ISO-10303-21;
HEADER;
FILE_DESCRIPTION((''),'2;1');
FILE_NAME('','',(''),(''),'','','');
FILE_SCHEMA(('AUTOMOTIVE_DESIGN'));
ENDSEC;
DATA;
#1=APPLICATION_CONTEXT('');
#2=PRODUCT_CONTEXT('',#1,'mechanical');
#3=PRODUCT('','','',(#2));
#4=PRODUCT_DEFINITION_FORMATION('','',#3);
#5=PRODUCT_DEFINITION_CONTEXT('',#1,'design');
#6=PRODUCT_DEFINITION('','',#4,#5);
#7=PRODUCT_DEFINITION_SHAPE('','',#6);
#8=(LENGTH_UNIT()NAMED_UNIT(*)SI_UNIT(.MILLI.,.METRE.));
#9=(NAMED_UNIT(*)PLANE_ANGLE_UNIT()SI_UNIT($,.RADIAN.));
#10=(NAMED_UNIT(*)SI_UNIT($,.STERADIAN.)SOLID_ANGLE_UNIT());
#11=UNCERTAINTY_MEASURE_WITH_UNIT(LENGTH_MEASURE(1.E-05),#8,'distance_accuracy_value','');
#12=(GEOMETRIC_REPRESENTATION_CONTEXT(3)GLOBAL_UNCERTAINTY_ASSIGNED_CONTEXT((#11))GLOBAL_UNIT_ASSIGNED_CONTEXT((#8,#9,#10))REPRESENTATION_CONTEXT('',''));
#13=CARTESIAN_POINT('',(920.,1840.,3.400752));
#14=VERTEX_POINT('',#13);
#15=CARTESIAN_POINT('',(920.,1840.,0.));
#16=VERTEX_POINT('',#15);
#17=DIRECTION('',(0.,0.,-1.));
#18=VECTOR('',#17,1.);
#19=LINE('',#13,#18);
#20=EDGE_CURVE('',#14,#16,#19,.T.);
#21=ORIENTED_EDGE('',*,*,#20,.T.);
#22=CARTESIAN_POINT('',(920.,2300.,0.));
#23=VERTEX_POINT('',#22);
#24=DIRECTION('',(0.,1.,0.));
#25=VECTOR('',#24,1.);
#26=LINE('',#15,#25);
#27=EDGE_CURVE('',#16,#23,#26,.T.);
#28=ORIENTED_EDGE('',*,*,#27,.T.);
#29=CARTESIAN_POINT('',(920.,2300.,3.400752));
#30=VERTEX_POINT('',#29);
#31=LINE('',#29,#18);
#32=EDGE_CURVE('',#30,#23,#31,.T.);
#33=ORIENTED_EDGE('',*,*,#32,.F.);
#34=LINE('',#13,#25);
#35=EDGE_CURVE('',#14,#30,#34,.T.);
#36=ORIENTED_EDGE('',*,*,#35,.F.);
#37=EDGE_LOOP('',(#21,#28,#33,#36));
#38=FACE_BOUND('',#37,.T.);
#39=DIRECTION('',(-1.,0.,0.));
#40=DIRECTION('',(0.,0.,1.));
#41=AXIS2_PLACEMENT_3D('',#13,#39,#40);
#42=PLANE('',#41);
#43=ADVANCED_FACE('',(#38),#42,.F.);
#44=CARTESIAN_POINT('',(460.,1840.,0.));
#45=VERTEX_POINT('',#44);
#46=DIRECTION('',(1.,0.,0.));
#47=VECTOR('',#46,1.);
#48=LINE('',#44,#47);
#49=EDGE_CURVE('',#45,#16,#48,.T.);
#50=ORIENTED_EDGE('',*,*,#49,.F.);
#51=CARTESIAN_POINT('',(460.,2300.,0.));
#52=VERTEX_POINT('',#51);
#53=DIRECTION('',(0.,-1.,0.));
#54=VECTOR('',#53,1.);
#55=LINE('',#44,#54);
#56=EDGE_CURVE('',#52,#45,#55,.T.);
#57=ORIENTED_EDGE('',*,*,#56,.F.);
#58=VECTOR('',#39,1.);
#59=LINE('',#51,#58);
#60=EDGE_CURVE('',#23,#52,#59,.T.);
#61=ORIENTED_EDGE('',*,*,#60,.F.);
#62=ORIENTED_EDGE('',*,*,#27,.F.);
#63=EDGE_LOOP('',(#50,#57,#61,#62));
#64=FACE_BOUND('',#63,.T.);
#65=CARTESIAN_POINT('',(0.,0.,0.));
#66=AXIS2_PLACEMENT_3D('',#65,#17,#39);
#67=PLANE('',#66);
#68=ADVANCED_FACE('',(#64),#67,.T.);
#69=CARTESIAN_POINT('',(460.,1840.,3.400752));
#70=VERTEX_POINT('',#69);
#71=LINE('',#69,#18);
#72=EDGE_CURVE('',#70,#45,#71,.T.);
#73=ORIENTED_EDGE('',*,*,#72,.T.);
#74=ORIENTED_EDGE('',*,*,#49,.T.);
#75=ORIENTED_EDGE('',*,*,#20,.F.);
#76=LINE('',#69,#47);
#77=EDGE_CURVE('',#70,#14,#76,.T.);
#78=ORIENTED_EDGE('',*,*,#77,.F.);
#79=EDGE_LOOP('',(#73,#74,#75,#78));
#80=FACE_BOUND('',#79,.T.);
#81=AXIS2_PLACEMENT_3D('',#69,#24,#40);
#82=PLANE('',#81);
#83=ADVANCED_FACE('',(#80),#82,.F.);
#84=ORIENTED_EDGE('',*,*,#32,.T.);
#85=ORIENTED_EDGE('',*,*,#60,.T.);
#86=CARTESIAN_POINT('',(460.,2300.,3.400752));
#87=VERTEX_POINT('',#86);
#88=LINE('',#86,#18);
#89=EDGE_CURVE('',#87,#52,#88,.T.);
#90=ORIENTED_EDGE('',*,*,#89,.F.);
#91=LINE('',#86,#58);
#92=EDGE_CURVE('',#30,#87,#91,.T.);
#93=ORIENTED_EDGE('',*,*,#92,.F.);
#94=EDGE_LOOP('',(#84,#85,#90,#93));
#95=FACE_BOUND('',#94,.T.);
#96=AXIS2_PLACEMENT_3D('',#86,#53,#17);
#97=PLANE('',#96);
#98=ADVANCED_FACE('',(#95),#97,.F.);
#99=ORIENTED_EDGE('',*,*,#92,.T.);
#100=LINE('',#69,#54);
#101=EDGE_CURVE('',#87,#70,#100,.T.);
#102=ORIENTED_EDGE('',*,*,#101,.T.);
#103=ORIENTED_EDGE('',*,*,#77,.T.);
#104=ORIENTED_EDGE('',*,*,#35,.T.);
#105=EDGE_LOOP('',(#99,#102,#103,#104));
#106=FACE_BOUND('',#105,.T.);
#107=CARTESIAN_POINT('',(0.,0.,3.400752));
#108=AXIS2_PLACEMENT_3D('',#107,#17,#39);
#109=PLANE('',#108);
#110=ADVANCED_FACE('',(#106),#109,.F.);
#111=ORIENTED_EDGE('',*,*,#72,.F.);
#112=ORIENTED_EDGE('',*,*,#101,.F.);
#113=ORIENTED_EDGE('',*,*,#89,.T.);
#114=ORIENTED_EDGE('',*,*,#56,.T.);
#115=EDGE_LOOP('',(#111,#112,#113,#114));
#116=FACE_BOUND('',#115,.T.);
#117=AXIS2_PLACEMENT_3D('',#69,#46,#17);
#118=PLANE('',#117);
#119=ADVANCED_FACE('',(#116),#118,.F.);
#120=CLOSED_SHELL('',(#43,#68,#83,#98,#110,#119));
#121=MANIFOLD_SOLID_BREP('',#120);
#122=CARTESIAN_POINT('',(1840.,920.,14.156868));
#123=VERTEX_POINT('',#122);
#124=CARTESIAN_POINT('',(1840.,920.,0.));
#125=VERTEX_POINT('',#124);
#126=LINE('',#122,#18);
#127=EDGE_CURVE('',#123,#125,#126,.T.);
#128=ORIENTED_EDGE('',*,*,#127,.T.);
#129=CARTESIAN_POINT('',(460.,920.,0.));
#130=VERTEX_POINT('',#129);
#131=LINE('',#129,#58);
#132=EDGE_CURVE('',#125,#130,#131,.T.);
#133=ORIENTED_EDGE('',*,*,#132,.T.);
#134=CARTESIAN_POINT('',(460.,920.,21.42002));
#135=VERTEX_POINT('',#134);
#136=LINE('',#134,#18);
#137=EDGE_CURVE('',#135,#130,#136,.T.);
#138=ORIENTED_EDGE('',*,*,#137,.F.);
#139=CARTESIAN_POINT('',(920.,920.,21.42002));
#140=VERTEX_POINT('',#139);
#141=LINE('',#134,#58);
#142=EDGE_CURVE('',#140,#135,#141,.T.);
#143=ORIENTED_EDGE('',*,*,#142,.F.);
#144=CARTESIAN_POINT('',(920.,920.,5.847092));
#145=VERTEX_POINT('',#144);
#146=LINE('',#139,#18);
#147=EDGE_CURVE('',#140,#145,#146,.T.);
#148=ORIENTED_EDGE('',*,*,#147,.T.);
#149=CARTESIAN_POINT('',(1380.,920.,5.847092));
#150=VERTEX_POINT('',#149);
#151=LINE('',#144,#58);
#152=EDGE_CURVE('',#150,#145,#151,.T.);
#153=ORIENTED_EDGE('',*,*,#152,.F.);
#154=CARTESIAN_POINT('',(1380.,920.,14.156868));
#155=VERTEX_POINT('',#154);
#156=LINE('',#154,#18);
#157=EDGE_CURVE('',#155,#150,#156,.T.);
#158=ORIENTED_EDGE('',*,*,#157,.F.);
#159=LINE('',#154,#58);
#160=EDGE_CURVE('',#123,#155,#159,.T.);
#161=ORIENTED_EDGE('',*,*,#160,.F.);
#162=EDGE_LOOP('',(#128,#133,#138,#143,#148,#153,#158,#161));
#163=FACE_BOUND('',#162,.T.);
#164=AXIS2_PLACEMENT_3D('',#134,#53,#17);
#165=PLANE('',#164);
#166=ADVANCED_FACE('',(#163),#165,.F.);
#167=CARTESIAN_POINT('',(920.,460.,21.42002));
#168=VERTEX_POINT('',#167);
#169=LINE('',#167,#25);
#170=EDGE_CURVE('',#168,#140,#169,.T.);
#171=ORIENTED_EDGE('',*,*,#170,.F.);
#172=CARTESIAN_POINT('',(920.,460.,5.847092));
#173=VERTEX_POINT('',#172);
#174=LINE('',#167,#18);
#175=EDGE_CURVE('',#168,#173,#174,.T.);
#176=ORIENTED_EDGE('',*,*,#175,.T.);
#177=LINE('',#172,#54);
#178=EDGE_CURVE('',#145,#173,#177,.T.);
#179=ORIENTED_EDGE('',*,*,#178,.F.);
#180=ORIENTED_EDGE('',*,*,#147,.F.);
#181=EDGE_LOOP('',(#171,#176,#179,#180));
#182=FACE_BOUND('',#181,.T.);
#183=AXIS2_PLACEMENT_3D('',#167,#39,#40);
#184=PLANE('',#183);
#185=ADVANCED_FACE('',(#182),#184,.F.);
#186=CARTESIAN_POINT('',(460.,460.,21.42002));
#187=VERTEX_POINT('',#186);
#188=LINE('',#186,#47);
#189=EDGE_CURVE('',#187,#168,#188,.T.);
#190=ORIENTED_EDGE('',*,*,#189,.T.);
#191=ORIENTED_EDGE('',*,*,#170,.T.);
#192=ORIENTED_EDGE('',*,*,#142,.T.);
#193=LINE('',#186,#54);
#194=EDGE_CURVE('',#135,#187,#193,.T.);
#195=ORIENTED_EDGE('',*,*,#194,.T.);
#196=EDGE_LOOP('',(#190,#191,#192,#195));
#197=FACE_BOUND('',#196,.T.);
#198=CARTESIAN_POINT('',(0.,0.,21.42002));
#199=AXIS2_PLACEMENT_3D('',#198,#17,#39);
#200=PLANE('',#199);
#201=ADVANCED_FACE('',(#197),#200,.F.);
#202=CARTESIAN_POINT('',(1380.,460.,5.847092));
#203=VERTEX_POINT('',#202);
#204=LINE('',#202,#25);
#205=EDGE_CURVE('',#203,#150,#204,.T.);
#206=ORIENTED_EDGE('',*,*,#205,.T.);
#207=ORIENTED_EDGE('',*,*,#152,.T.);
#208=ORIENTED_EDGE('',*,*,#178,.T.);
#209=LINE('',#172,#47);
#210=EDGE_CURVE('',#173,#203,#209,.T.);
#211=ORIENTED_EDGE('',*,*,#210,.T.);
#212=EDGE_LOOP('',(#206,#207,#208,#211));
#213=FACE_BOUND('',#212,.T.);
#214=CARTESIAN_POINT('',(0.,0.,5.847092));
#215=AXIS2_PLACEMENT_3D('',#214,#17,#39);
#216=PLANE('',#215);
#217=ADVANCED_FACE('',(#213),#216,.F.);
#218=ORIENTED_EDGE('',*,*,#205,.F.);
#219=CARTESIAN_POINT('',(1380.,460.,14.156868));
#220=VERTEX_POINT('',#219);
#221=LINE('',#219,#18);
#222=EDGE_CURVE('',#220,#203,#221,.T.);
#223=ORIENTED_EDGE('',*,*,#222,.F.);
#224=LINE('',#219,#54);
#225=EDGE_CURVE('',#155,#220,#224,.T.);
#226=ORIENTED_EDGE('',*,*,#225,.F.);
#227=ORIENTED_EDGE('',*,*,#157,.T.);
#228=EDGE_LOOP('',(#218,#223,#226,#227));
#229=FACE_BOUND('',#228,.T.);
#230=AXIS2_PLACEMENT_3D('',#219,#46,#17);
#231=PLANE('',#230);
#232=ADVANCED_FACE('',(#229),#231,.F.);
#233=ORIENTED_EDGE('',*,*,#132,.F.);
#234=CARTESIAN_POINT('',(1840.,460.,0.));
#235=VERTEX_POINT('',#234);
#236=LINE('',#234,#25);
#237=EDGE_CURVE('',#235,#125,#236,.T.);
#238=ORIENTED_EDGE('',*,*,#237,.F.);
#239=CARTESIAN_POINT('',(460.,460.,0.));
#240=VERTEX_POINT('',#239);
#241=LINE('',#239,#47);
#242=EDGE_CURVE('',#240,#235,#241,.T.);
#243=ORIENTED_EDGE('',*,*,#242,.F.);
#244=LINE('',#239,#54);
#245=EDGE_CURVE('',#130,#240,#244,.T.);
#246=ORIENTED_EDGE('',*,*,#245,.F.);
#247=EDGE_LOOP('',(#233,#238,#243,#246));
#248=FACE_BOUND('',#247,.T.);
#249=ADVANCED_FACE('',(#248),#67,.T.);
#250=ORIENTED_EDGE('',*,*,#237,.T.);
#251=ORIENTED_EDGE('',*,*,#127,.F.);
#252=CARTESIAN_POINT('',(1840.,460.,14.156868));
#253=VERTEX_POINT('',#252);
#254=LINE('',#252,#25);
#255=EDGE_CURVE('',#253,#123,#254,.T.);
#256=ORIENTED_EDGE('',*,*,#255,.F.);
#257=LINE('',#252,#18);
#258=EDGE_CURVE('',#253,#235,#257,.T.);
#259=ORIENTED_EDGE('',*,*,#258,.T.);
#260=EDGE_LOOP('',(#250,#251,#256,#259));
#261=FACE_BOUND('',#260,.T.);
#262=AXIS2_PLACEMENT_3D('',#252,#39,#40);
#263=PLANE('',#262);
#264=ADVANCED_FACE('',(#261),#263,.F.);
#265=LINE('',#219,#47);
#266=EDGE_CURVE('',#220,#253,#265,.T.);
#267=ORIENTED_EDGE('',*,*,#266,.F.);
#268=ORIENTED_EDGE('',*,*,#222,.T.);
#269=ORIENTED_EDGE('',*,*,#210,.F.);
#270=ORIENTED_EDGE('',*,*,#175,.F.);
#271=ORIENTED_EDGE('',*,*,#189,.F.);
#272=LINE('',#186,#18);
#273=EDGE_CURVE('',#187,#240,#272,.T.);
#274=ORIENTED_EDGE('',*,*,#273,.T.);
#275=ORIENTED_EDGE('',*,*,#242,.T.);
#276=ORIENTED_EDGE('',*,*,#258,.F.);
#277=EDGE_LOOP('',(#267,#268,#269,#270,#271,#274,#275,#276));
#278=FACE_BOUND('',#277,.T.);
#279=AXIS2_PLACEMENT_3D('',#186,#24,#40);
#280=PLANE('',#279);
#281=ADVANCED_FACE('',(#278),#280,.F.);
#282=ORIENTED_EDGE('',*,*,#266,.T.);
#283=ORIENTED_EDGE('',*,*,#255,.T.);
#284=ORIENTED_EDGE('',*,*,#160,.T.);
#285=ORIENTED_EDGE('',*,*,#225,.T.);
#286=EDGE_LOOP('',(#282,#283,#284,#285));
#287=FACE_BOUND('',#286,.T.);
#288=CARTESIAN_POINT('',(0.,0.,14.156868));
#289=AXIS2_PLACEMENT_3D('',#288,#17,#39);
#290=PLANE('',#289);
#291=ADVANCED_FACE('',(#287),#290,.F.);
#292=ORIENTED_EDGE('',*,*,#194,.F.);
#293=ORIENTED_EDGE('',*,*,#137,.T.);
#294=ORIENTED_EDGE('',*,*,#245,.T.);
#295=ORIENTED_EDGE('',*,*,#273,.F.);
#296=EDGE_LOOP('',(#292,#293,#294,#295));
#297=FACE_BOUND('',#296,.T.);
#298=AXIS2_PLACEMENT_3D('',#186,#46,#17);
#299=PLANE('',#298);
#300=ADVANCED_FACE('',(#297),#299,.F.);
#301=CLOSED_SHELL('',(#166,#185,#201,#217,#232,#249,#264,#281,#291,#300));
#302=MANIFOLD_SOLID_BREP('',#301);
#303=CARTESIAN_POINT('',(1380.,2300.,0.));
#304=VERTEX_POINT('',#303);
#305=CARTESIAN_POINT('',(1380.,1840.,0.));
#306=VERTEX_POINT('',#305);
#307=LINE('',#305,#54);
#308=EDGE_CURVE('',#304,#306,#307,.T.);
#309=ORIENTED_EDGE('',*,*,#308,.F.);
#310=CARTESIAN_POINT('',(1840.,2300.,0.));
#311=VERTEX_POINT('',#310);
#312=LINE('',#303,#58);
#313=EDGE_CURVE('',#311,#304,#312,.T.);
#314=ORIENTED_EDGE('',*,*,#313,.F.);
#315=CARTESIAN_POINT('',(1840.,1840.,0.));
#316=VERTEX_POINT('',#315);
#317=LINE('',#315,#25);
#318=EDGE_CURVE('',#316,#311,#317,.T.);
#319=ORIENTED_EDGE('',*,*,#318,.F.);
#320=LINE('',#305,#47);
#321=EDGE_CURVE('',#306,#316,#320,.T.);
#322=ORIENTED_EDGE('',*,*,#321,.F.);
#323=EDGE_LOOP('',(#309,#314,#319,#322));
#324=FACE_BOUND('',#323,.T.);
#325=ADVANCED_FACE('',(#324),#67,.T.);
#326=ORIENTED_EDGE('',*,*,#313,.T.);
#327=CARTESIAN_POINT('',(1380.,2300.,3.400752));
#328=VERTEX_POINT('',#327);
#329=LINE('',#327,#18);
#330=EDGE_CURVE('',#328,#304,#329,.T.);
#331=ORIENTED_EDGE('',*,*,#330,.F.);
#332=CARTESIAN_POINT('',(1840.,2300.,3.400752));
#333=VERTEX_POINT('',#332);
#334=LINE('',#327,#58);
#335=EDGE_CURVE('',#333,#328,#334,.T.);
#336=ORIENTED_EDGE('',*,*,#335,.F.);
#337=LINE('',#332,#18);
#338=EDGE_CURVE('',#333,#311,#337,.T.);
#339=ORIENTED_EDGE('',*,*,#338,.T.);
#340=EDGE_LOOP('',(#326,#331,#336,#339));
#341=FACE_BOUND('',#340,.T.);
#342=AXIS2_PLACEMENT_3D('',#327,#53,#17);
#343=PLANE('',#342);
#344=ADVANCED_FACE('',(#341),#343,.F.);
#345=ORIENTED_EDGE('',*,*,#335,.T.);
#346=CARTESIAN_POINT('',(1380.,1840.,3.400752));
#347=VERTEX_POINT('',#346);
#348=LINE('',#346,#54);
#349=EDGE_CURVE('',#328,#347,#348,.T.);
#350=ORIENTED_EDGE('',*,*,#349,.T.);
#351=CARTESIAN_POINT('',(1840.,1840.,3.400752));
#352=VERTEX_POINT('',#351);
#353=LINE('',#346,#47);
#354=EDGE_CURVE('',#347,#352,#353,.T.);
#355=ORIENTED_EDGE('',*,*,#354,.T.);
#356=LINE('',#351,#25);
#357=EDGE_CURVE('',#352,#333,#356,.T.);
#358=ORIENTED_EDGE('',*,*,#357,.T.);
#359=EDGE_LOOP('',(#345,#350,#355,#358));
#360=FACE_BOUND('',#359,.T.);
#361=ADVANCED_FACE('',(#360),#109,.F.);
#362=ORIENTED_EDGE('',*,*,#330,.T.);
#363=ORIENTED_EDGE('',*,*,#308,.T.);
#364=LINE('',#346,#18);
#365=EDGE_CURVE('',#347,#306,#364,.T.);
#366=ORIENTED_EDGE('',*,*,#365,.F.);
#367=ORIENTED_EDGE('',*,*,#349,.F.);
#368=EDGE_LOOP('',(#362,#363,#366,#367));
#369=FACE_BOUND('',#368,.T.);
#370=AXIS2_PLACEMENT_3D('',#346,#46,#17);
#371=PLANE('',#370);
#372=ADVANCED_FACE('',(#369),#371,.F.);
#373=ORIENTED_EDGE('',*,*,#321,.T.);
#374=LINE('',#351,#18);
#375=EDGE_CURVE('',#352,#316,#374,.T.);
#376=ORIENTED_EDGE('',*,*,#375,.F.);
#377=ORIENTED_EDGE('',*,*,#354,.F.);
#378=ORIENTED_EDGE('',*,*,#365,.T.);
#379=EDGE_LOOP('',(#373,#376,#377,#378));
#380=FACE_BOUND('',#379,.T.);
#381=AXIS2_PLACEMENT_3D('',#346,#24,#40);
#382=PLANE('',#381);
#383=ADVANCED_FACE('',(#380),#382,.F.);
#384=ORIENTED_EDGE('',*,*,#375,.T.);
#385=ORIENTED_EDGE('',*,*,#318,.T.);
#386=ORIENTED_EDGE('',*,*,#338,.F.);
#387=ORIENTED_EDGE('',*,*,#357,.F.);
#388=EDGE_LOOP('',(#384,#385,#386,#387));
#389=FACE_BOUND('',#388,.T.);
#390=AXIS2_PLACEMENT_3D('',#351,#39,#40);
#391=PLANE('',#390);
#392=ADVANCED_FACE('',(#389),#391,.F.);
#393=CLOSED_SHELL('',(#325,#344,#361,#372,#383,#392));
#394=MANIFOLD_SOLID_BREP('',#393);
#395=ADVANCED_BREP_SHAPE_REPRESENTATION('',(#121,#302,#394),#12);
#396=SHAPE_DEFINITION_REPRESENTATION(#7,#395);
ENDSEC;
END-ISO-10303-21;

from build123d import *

# Parameters (mm, degrees)
SKETCH_1_W      = 460
SKETCH_1_H      = 460
EXTRUDE_1_DEPTH = 21.4200203
SKETCH_2_W      = 460
SKETCH_2_H      = 460
EXTRUDE_2_DEPTH = 5.8470921
SKETCH_3_W      = 460
SKETCH_3_H      = 460
EXTRUDE_3_DEPTH = 14.156868
SKETCH_13_W     = 460
SKETCH_13_H     = 460
EXTRUDE_4_DEPTH = 3.4007521
SKETCH_15_W     = 460
SKETCH_15_H     = 460
EXTRUDE_5_DEPTH = 3.4007521


with BuildPart() as part:
    # 草图1 → 凸台-拉伸1 (new body)
    with BuildSketch(Plane.XY):
        with Locations((690, 690)):
            Rectangle(SKETCH_1_W, SKETCH_1_H)
    extrude(amount=EXTRUDE_1_DEPTH)

    # 草图2 → 凸台-拉伸2 (add)
    with BuildSketch(Plane.XY):
        with Locations((1150, 690)):
            Rectangle(SKETCH_2_W, SKETCH_2_H)
    extrude(amount=EXTRUDE_2_DEPTH)

    # 草图3 → 凸台-拉伸3 (add)
    with BuildSketch(Plane.XY):
        with Locations((1610, 690)):
            Rectangle(SKETCH_3_W, SKETCH_3_H)
    extrude(amount=EXTRUDE_3_DEPTH)


with BuildPart() as body_2:
    # 草图13 → 凸台-拉伸4 (new body)
    with BuildSketch(Plane.XY):
        with Locations((690, 2070)):
            Rectangle(SKETCH_13_W, SKETCH_13_H)
    extrude(amount=EXTRUDE_4_DEPTH)


with BuildPart() as body_3:
    # 草图15 → 凸台-拉伸5 (new body)
    with BuildSketch(Plane.XY):
        with Locations((1610, 2070)):
            Rectangle(SKETCH_15_W, SKETCH_15_H)
    extrude(amount=EXTRUDE_5_DEPTH)


solid = Compound([part.part, body_2.part, body_3.part])
